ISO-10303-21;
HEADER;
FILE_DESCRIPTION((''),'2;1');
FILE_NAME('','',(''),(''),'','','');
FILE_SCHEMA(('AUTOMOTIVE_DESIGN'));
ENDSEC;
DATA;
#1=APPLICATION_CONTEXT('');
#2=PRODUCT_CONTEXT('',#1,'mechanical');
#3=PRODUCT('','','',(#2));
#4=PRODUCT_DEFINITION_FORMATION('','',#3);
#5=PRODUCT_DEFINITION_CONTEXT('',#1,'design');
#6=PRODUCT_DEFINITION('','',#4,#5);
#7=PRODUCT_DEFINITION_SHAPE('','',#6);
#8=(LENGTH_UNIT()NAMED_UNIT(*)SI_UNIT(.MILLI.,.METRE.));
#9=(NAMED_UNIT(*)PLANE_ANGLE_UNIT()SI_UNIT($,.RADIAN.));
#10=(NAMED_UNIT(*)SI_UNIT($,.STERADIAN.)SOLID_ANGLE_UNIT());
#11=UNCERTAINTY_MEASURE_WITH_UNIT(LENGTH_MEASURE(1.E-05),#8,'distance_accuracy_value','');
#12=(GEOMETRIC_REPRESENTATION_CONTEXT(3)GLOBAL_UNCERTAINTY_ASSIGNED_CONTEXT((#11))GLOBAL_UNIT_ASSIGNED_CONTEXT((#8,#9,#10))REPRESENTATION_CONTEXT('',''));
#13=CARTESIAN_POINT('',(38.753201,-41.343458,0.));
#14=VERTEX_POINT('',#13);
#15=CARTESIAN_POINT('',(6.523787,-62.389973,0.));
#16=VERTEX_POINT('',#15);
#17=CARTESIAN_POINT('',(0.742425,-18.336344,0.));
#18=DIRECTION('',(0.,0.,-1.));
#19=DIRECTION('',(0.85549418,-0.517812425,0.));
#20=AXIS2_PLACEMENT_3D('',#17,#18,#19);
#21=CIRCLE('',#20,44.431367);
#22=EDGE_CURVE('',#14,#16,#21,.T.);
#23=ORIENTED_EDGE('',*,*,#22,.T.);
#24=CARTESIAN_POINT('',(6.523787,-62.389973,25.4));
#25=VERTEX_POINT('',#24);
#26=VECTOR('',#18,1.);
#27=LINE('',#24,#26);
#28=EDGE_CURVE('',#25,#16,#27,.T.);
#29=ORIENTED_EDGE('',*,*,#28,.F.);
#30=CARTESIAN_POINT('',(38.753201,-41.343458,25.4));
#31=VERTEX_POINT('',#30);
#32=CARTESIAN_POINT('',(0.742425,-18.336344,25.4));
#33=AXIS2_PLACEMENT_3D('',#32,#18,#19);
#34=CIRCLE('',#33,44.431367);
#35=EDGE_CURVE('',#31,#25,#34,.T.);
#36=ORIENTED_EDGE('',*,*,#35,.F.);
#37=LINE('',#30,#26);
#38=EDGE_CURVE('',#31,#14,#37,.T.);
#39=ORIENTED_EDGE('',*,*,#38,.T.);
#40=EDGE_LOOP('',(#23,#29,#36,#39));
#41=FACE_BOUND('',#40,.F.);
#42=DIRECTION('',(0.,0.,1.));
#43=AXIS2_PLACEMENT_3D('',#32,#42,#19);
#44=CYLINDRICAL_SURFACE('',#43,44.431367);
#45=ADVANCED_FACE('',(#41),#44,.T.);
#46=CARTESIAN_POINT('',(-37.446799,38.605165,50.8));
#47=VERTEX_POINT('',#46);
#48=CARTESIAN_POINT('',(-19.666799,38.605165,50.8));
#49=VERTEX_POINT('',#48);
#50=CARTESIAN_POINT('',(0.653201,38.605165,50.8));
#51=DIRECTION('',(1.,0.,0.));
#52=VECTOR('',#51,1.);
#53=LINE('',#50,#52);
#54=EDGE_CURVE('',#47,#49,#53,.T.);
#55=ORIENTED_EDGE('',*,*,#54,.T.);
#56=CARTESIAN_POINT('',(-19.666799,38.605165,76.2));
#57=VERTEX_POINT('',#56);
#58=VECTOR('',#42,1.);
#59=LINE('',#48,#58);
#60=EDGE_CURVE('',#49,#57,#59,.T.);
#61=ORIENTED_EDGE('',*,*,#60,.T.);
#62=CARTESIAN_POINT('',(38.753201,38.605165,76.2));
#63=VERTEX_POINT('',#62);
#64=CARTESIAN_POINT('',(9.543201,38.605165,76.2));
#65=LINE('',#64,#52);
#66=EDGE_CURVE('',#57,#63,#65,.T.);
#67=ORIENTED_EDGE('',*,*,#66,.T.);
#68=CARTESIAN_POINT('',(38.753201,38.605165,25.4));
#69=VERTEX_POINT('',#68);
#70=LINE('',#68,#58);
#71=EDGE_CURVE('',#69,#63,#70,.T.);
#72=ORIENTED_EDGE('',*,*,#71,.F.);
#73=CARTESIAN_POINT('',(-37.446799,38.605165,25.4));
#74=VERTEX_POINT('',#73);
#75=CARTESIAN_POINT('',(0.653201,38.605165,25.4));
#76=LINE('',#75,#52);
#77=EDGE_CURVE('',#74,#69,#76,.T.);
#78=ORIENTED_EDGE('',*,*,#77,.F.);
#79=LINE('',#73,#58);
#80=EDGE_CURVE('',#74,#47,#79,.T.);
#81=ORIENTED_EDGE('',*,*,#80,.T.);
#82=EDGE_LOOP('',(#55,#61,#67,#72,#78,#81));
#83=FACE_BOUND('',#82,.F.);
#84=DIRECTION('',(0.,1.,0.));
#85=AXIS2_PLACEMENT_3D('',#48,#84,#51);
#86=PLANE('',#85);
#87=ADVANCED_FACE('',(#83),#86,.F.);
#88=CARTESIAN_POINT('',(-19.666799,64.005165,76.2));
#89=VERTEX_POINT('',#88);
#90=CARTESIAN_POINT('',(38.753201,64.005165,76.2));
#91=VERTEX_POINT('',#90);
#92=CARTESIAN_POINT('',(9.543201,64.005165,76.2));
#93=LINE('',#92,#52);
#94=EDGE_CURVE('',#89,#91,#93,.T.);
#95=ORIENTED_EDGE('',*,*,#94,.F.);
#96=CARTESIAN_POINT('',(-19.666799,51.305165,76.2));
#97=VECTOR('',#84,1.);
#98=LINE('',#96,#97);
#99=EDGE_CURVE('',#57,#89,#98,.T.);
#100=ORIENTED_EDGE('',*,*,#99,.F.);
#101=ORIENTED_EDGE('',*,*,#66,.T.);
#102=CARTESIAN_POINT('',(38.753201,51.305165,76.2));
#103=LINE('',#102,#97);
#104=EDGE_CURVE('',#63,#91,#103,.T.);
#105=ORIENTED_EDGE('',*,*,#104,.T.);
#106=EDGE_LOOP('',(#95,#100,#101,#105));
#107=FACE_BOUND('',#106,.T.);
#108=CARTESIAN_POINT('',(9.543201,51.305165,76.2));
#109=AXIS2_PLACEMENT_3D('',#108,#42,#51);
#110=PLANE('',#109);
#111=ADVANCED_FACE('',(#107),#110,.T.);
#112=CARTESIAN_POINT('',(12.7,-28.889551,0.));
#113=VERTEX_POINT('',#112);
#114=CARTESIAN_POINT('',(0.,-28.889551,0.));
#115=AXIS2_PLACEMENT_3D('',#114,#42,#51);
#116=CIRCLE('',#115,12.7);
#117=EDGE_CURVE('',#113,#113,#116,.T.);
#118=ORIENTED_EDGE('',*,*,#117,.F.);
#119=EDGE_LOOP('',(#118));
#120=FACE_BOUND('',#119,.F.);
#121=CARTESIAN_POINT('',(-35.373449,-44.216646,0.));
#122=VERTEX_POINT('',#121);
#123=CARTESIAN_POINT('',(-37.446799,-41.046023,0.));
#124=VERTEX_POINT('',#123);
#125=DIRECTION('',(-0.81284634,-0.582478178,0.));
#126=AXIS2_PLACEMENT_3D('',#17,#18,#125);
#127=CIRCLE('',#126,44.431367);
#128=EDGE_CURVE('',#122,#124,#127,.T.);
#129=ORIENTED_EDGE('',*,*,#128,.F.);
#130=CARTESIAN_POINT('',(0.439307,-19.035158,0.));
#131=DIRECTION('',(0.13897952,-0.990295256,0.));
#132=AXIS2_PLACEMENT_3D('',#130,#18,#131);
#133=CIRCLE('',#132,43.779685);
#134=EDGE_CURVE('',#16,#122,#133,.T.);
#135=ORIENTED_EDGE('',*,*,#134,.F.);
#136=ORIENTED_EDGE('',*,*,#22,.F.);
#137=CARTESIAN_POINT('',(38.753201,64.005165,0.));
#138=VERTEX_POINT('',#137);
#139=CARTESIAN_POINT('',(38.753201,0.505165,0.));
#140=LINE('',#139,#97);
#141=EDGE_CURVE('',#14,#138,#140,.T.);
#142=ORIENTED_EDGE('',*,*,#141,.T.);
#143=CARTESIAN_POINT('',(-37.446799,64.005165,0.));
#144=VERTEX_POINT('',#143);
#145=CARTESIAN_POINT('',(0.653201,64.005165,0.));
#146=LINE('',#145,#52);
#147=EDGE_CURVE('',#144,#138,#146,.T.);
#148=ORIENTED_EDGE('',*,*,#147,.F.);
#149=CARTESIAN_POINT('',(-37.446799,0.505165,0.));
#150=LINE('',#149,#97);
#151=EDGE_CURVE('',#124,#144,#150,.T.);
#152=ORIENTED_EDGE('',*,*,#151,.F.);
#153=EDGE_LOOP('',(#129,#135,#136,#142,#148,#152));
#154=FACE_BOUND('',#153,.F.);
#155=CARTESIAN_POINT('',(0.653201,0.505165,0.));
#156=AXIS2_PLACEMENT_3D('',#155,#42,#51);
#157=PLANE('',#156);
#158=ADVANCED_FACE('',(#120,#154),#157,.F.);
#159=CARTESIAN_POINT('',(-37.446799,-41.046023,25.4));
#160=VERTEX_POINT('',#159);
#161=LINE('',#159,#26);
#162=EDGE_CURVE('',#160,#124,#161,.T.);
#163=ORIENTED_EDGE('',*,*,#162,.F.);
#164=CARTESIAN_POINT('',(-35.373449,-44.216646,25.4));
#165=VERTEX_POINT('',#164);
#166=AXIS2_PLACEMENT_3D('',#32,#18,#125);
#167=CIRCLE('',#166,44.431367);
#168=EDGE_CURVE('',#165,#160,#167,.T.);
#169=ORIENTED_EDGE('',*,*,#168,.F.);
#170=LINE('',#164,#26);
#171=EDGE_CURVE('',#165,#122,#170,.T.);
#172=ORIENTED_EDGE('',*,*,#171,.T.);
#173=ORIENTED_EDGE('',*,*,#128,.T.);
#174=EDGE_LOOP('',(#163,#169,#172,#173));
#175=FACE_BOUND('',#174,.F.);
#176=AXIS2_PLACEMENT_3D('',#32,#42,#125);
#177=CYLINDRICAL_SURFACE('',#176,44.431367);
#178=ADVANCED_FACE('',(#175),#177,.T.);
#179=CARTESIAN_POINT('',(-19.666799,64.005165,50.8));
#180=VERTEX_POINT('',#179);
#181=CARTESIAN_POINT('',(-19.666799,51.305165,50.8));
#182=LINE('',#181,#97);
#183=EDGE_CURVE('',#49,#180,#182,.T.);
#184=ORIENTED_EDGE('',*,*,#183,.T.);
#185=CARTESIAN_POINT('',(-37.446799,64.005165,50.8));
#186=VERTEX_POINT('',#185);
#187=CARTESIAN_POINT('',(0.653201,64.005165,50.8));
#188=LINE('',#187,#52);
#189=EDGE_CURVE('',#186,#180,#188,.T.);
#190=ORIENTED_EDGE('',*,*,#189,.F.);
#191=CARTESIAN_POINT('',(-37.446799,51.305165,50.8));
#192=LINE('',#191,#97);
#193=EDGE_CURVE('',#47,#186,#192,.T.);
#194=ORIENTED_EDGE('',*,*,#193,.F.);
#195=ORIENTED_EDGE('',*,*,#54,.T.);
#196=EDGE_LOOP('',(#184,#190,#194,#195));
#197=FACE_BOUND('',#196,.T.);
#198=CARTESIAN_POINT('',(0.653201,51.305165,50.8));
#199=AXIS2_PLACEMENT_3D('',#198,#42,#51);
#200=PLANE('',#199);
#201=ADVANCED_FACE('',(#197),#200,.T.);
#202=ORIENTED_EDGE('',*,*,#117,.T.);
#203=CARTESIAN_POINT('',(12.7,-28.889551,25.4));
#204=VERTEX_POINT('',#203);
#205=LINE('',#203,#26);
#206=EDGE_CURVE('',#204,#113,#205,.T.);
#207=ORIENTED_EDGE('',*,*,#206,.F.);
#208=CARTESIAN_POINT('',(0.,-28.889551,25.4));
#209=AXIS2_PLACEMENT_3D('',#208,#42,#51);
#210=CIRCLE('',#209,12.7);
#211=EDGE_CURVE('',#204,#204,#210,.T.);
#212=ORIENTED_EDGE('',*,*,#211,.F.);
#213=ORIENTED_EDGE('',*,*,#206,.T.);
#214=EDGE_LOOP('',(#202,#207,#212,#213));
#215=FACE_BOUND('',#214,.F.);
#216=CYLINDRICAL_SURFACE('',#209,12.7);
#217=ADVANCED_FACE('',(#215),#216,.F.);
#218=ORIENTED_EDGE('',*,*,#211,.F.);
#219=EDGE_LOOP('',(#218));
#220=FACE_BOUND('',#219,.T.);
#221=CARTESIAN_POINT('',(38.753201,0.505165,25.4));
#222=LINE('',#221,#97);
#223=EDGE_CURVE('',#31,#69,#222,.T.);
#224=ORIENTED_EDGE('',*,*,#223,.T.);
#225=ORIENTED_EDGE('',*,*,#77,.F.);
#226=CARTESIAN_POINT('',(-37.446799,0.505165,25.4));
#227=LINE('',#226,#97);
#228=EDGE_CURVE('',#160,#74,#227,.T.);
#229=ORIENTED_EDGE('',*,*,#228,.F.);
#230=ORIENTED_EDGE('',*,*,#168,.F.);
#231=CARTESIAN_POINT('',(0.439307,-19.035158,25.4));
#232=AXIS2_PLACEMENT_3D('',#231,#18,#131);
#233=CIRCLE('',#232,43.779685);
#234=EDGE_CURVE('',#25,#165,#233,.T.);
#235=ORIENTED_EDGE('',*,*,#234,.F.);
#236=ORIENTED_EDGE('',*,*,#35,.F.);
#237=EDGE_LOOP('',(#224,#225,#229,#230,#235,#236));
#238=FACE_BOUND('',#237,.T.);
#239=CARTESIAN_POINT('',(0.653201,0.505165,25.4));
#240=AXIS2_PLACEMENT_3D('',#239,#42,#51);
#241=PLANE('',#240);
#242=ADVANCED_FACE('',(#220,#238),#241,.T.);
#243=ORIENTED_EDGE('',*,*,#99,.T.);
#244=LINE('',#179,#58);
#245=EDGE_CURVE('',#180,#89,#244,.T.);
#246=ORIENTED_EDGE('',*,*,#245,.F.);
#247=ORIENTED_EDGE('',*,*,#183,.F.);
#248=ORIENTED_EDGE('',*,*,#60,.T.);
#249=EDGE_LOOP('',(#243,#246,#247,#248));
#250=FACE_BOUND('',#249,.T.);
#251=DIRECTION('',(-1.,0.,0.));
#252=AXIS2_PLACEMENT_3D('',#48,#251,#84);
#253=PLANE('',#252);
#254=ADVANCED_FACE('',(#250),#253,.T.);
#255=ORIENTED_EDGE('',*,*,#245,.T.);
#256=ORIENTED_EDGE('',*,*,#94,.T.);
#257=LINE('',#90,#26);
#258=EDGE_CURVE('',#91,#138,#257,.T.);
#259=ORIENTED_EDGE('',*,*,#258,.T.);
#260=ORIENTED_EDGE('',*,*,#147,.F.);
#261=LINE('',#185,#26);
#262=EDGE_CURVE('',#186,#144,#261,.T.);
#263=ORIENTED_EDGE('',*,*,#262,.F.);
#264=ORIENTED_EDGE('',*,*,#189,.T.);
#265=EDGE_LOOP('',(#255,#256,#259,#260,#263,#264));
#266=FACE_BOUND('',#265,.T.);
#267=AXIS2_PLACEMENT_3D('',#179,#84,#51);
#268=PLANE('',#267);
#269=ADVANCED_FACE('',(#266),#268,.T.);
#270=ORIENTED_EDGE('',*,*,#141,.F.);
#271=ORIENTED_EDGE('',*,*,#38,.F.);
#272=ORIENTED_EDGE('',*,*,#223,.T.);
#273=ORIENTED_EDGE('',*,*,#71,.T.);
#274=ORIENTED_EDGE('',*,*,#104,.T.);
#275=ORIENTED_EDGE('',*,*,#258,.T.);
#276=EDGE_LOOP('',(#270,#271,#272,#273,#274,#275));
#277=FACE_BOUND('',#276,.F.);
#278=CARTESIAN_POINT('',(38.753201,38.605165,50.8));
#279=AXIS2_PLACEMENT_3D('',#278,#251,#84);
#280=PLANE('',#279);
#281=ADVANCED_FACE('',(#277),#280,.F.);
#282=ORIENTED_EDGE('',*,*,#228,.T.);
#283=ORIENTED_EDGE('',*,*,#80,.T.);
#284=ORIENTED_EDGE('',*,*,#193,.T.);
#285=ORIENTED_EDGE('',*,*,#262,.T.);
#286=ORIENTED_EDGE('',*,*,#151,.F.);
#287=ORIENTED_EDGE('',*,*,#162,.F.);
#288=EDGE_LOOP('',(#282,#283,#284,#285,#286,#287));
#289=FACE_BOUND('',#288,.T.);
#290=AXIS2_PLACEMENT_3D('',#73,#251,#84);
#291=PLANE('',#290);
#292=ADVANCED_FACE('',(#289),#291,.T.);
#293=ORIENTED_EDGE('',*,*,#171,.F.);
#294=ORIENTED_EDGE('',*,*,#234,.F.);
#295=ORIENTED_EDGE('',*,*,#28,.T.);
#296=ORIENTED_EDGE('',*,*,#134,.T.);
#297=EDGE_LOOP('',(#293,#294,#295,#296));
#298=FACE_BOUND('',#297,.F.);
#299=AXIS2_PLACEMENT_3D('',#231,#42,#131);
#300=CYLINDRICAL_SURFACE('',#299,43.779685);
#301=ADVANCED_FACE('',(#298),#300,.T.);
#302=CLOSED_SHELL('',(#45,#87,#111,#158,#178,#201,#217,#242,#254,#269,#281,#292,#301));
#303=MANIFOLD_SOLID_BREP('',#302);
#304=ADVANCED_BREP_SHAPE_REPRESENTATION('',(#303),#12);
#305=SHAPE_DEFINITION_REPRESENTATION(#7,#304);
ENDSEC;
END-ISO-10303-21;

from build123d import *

# Parameters (mm, degrees)
F0_W      = 76.2
F0_H      = 127
F1_DEPTH  = 25.4
F2_W      = 76.2
F2_H      = 25.4
F3_DEPTH  = 25.4
F4_W      = 58.42
F4_H      = 25.4
F5_DEPTH  = 25.4
F7_R      = 12.7
F8_DEPTH  = 25.4
F9_DEPTH  = 25.4
F10_DEPTH = 25.401


with BuildPart() as f1:
    # F0 (on Top) → F1 (new body)
    with BuildSketch(Plane.XY):
        with Locations((0.6532006686, 0.5051653504)):
            Rectangle(F0_W, F0_H)
    extrude(amount=F1_DEPTH)

    # F2 (on face) → F3 (join)
    with BuildSketch(Plane.XY.offset(25.4)):
        with Locations((0.6532006686, 51.3051653504)):
            Rectangle(F2_W, F2_H)
    extrude(amount=F3_DEPTH)

    # F4 (on face) → F5 (join)
    with BuildSketch(Plane.XY.offset(50.8)):
        with Locations((9.5432006686, 51.3051653504)):
            Rectangle(F4_W, F4_H)
    extrude(amount=F5_DEPTH)

    # F7 (on face) → F8 (cut)
    with BuildSketch(Plane.XY.offset(25.4)):
        with Locations((0, -28.8895512581)):
            Circle(F7_R)
    extrude(amount=-F8_DEPTH, mode=Mode.SUBTRACT)

    # F7 (on face) → F9 (cut)
    with BuildSketch(Plane.XY.offset(25.4)):
        with BuildLine():
            ThreePointArc((6.523787157, -62.3899730255), (-16.9822329005, -59.1992066955), (-35.3734492198, -44.2166457992))
            ThreePointArc((-35.3734492198, -44.2166457992), (-36.4439317634, -42.6534421545), (-37.4467993314, -41.0460233688))
            Line((-37.4467993314, -41.0460233688), (-37.4467993314, -62.9948346496))
            Line((-37.4467993314, -62.9948346496), (38.7532006686, -62.9948346496))
            Line((38.7532006686, -62.9948346496), (38.7532006686, -41.3434579968))
            ThreePointArc((38.7532006686, -41.3434579968), (25.0359793217, -55.5380857369), (6.523787157, -62.3899730255))
        make_face()
    extrude(amount=-F9_DEPTH, mode=Mode.SUBTRACT)

    # F7 (on face) → F10 (cut, through all)
    with BuildSketch(Plane.XY.offset(25.4)):
        with BuildLine():
            ThreePointArc((6.523787157, -62.3899730255), (-16.9822329005, -59.1992066955), (-35.3734492198, -44.2166457992))
            ThreePointArc((-35.3734492198, -44.2166457992), (-36.4439317634, -42.6534421545), (-37.4467993314, -41.0460233688))
            Line((-37.4467993314, -41.0460233688), (-37.4467993314, -62.9948346496))
            Line((-37.4467993314, -62.9948346496), (38.7532006686, -62.9948346496))
            Line((38.7532006686, -62.9948346496), (38.7532006686, -41.3434579968))
            ThreePointArc((38.7532006686, -41.3434579968), (25.0359793217, -55.5380857369), (6.523787157, -62.3899730255))
        make_face()
    extrude(amount=-F10_DEPTH, mode=Mode.SUBTRACT)


solid = f1.part
